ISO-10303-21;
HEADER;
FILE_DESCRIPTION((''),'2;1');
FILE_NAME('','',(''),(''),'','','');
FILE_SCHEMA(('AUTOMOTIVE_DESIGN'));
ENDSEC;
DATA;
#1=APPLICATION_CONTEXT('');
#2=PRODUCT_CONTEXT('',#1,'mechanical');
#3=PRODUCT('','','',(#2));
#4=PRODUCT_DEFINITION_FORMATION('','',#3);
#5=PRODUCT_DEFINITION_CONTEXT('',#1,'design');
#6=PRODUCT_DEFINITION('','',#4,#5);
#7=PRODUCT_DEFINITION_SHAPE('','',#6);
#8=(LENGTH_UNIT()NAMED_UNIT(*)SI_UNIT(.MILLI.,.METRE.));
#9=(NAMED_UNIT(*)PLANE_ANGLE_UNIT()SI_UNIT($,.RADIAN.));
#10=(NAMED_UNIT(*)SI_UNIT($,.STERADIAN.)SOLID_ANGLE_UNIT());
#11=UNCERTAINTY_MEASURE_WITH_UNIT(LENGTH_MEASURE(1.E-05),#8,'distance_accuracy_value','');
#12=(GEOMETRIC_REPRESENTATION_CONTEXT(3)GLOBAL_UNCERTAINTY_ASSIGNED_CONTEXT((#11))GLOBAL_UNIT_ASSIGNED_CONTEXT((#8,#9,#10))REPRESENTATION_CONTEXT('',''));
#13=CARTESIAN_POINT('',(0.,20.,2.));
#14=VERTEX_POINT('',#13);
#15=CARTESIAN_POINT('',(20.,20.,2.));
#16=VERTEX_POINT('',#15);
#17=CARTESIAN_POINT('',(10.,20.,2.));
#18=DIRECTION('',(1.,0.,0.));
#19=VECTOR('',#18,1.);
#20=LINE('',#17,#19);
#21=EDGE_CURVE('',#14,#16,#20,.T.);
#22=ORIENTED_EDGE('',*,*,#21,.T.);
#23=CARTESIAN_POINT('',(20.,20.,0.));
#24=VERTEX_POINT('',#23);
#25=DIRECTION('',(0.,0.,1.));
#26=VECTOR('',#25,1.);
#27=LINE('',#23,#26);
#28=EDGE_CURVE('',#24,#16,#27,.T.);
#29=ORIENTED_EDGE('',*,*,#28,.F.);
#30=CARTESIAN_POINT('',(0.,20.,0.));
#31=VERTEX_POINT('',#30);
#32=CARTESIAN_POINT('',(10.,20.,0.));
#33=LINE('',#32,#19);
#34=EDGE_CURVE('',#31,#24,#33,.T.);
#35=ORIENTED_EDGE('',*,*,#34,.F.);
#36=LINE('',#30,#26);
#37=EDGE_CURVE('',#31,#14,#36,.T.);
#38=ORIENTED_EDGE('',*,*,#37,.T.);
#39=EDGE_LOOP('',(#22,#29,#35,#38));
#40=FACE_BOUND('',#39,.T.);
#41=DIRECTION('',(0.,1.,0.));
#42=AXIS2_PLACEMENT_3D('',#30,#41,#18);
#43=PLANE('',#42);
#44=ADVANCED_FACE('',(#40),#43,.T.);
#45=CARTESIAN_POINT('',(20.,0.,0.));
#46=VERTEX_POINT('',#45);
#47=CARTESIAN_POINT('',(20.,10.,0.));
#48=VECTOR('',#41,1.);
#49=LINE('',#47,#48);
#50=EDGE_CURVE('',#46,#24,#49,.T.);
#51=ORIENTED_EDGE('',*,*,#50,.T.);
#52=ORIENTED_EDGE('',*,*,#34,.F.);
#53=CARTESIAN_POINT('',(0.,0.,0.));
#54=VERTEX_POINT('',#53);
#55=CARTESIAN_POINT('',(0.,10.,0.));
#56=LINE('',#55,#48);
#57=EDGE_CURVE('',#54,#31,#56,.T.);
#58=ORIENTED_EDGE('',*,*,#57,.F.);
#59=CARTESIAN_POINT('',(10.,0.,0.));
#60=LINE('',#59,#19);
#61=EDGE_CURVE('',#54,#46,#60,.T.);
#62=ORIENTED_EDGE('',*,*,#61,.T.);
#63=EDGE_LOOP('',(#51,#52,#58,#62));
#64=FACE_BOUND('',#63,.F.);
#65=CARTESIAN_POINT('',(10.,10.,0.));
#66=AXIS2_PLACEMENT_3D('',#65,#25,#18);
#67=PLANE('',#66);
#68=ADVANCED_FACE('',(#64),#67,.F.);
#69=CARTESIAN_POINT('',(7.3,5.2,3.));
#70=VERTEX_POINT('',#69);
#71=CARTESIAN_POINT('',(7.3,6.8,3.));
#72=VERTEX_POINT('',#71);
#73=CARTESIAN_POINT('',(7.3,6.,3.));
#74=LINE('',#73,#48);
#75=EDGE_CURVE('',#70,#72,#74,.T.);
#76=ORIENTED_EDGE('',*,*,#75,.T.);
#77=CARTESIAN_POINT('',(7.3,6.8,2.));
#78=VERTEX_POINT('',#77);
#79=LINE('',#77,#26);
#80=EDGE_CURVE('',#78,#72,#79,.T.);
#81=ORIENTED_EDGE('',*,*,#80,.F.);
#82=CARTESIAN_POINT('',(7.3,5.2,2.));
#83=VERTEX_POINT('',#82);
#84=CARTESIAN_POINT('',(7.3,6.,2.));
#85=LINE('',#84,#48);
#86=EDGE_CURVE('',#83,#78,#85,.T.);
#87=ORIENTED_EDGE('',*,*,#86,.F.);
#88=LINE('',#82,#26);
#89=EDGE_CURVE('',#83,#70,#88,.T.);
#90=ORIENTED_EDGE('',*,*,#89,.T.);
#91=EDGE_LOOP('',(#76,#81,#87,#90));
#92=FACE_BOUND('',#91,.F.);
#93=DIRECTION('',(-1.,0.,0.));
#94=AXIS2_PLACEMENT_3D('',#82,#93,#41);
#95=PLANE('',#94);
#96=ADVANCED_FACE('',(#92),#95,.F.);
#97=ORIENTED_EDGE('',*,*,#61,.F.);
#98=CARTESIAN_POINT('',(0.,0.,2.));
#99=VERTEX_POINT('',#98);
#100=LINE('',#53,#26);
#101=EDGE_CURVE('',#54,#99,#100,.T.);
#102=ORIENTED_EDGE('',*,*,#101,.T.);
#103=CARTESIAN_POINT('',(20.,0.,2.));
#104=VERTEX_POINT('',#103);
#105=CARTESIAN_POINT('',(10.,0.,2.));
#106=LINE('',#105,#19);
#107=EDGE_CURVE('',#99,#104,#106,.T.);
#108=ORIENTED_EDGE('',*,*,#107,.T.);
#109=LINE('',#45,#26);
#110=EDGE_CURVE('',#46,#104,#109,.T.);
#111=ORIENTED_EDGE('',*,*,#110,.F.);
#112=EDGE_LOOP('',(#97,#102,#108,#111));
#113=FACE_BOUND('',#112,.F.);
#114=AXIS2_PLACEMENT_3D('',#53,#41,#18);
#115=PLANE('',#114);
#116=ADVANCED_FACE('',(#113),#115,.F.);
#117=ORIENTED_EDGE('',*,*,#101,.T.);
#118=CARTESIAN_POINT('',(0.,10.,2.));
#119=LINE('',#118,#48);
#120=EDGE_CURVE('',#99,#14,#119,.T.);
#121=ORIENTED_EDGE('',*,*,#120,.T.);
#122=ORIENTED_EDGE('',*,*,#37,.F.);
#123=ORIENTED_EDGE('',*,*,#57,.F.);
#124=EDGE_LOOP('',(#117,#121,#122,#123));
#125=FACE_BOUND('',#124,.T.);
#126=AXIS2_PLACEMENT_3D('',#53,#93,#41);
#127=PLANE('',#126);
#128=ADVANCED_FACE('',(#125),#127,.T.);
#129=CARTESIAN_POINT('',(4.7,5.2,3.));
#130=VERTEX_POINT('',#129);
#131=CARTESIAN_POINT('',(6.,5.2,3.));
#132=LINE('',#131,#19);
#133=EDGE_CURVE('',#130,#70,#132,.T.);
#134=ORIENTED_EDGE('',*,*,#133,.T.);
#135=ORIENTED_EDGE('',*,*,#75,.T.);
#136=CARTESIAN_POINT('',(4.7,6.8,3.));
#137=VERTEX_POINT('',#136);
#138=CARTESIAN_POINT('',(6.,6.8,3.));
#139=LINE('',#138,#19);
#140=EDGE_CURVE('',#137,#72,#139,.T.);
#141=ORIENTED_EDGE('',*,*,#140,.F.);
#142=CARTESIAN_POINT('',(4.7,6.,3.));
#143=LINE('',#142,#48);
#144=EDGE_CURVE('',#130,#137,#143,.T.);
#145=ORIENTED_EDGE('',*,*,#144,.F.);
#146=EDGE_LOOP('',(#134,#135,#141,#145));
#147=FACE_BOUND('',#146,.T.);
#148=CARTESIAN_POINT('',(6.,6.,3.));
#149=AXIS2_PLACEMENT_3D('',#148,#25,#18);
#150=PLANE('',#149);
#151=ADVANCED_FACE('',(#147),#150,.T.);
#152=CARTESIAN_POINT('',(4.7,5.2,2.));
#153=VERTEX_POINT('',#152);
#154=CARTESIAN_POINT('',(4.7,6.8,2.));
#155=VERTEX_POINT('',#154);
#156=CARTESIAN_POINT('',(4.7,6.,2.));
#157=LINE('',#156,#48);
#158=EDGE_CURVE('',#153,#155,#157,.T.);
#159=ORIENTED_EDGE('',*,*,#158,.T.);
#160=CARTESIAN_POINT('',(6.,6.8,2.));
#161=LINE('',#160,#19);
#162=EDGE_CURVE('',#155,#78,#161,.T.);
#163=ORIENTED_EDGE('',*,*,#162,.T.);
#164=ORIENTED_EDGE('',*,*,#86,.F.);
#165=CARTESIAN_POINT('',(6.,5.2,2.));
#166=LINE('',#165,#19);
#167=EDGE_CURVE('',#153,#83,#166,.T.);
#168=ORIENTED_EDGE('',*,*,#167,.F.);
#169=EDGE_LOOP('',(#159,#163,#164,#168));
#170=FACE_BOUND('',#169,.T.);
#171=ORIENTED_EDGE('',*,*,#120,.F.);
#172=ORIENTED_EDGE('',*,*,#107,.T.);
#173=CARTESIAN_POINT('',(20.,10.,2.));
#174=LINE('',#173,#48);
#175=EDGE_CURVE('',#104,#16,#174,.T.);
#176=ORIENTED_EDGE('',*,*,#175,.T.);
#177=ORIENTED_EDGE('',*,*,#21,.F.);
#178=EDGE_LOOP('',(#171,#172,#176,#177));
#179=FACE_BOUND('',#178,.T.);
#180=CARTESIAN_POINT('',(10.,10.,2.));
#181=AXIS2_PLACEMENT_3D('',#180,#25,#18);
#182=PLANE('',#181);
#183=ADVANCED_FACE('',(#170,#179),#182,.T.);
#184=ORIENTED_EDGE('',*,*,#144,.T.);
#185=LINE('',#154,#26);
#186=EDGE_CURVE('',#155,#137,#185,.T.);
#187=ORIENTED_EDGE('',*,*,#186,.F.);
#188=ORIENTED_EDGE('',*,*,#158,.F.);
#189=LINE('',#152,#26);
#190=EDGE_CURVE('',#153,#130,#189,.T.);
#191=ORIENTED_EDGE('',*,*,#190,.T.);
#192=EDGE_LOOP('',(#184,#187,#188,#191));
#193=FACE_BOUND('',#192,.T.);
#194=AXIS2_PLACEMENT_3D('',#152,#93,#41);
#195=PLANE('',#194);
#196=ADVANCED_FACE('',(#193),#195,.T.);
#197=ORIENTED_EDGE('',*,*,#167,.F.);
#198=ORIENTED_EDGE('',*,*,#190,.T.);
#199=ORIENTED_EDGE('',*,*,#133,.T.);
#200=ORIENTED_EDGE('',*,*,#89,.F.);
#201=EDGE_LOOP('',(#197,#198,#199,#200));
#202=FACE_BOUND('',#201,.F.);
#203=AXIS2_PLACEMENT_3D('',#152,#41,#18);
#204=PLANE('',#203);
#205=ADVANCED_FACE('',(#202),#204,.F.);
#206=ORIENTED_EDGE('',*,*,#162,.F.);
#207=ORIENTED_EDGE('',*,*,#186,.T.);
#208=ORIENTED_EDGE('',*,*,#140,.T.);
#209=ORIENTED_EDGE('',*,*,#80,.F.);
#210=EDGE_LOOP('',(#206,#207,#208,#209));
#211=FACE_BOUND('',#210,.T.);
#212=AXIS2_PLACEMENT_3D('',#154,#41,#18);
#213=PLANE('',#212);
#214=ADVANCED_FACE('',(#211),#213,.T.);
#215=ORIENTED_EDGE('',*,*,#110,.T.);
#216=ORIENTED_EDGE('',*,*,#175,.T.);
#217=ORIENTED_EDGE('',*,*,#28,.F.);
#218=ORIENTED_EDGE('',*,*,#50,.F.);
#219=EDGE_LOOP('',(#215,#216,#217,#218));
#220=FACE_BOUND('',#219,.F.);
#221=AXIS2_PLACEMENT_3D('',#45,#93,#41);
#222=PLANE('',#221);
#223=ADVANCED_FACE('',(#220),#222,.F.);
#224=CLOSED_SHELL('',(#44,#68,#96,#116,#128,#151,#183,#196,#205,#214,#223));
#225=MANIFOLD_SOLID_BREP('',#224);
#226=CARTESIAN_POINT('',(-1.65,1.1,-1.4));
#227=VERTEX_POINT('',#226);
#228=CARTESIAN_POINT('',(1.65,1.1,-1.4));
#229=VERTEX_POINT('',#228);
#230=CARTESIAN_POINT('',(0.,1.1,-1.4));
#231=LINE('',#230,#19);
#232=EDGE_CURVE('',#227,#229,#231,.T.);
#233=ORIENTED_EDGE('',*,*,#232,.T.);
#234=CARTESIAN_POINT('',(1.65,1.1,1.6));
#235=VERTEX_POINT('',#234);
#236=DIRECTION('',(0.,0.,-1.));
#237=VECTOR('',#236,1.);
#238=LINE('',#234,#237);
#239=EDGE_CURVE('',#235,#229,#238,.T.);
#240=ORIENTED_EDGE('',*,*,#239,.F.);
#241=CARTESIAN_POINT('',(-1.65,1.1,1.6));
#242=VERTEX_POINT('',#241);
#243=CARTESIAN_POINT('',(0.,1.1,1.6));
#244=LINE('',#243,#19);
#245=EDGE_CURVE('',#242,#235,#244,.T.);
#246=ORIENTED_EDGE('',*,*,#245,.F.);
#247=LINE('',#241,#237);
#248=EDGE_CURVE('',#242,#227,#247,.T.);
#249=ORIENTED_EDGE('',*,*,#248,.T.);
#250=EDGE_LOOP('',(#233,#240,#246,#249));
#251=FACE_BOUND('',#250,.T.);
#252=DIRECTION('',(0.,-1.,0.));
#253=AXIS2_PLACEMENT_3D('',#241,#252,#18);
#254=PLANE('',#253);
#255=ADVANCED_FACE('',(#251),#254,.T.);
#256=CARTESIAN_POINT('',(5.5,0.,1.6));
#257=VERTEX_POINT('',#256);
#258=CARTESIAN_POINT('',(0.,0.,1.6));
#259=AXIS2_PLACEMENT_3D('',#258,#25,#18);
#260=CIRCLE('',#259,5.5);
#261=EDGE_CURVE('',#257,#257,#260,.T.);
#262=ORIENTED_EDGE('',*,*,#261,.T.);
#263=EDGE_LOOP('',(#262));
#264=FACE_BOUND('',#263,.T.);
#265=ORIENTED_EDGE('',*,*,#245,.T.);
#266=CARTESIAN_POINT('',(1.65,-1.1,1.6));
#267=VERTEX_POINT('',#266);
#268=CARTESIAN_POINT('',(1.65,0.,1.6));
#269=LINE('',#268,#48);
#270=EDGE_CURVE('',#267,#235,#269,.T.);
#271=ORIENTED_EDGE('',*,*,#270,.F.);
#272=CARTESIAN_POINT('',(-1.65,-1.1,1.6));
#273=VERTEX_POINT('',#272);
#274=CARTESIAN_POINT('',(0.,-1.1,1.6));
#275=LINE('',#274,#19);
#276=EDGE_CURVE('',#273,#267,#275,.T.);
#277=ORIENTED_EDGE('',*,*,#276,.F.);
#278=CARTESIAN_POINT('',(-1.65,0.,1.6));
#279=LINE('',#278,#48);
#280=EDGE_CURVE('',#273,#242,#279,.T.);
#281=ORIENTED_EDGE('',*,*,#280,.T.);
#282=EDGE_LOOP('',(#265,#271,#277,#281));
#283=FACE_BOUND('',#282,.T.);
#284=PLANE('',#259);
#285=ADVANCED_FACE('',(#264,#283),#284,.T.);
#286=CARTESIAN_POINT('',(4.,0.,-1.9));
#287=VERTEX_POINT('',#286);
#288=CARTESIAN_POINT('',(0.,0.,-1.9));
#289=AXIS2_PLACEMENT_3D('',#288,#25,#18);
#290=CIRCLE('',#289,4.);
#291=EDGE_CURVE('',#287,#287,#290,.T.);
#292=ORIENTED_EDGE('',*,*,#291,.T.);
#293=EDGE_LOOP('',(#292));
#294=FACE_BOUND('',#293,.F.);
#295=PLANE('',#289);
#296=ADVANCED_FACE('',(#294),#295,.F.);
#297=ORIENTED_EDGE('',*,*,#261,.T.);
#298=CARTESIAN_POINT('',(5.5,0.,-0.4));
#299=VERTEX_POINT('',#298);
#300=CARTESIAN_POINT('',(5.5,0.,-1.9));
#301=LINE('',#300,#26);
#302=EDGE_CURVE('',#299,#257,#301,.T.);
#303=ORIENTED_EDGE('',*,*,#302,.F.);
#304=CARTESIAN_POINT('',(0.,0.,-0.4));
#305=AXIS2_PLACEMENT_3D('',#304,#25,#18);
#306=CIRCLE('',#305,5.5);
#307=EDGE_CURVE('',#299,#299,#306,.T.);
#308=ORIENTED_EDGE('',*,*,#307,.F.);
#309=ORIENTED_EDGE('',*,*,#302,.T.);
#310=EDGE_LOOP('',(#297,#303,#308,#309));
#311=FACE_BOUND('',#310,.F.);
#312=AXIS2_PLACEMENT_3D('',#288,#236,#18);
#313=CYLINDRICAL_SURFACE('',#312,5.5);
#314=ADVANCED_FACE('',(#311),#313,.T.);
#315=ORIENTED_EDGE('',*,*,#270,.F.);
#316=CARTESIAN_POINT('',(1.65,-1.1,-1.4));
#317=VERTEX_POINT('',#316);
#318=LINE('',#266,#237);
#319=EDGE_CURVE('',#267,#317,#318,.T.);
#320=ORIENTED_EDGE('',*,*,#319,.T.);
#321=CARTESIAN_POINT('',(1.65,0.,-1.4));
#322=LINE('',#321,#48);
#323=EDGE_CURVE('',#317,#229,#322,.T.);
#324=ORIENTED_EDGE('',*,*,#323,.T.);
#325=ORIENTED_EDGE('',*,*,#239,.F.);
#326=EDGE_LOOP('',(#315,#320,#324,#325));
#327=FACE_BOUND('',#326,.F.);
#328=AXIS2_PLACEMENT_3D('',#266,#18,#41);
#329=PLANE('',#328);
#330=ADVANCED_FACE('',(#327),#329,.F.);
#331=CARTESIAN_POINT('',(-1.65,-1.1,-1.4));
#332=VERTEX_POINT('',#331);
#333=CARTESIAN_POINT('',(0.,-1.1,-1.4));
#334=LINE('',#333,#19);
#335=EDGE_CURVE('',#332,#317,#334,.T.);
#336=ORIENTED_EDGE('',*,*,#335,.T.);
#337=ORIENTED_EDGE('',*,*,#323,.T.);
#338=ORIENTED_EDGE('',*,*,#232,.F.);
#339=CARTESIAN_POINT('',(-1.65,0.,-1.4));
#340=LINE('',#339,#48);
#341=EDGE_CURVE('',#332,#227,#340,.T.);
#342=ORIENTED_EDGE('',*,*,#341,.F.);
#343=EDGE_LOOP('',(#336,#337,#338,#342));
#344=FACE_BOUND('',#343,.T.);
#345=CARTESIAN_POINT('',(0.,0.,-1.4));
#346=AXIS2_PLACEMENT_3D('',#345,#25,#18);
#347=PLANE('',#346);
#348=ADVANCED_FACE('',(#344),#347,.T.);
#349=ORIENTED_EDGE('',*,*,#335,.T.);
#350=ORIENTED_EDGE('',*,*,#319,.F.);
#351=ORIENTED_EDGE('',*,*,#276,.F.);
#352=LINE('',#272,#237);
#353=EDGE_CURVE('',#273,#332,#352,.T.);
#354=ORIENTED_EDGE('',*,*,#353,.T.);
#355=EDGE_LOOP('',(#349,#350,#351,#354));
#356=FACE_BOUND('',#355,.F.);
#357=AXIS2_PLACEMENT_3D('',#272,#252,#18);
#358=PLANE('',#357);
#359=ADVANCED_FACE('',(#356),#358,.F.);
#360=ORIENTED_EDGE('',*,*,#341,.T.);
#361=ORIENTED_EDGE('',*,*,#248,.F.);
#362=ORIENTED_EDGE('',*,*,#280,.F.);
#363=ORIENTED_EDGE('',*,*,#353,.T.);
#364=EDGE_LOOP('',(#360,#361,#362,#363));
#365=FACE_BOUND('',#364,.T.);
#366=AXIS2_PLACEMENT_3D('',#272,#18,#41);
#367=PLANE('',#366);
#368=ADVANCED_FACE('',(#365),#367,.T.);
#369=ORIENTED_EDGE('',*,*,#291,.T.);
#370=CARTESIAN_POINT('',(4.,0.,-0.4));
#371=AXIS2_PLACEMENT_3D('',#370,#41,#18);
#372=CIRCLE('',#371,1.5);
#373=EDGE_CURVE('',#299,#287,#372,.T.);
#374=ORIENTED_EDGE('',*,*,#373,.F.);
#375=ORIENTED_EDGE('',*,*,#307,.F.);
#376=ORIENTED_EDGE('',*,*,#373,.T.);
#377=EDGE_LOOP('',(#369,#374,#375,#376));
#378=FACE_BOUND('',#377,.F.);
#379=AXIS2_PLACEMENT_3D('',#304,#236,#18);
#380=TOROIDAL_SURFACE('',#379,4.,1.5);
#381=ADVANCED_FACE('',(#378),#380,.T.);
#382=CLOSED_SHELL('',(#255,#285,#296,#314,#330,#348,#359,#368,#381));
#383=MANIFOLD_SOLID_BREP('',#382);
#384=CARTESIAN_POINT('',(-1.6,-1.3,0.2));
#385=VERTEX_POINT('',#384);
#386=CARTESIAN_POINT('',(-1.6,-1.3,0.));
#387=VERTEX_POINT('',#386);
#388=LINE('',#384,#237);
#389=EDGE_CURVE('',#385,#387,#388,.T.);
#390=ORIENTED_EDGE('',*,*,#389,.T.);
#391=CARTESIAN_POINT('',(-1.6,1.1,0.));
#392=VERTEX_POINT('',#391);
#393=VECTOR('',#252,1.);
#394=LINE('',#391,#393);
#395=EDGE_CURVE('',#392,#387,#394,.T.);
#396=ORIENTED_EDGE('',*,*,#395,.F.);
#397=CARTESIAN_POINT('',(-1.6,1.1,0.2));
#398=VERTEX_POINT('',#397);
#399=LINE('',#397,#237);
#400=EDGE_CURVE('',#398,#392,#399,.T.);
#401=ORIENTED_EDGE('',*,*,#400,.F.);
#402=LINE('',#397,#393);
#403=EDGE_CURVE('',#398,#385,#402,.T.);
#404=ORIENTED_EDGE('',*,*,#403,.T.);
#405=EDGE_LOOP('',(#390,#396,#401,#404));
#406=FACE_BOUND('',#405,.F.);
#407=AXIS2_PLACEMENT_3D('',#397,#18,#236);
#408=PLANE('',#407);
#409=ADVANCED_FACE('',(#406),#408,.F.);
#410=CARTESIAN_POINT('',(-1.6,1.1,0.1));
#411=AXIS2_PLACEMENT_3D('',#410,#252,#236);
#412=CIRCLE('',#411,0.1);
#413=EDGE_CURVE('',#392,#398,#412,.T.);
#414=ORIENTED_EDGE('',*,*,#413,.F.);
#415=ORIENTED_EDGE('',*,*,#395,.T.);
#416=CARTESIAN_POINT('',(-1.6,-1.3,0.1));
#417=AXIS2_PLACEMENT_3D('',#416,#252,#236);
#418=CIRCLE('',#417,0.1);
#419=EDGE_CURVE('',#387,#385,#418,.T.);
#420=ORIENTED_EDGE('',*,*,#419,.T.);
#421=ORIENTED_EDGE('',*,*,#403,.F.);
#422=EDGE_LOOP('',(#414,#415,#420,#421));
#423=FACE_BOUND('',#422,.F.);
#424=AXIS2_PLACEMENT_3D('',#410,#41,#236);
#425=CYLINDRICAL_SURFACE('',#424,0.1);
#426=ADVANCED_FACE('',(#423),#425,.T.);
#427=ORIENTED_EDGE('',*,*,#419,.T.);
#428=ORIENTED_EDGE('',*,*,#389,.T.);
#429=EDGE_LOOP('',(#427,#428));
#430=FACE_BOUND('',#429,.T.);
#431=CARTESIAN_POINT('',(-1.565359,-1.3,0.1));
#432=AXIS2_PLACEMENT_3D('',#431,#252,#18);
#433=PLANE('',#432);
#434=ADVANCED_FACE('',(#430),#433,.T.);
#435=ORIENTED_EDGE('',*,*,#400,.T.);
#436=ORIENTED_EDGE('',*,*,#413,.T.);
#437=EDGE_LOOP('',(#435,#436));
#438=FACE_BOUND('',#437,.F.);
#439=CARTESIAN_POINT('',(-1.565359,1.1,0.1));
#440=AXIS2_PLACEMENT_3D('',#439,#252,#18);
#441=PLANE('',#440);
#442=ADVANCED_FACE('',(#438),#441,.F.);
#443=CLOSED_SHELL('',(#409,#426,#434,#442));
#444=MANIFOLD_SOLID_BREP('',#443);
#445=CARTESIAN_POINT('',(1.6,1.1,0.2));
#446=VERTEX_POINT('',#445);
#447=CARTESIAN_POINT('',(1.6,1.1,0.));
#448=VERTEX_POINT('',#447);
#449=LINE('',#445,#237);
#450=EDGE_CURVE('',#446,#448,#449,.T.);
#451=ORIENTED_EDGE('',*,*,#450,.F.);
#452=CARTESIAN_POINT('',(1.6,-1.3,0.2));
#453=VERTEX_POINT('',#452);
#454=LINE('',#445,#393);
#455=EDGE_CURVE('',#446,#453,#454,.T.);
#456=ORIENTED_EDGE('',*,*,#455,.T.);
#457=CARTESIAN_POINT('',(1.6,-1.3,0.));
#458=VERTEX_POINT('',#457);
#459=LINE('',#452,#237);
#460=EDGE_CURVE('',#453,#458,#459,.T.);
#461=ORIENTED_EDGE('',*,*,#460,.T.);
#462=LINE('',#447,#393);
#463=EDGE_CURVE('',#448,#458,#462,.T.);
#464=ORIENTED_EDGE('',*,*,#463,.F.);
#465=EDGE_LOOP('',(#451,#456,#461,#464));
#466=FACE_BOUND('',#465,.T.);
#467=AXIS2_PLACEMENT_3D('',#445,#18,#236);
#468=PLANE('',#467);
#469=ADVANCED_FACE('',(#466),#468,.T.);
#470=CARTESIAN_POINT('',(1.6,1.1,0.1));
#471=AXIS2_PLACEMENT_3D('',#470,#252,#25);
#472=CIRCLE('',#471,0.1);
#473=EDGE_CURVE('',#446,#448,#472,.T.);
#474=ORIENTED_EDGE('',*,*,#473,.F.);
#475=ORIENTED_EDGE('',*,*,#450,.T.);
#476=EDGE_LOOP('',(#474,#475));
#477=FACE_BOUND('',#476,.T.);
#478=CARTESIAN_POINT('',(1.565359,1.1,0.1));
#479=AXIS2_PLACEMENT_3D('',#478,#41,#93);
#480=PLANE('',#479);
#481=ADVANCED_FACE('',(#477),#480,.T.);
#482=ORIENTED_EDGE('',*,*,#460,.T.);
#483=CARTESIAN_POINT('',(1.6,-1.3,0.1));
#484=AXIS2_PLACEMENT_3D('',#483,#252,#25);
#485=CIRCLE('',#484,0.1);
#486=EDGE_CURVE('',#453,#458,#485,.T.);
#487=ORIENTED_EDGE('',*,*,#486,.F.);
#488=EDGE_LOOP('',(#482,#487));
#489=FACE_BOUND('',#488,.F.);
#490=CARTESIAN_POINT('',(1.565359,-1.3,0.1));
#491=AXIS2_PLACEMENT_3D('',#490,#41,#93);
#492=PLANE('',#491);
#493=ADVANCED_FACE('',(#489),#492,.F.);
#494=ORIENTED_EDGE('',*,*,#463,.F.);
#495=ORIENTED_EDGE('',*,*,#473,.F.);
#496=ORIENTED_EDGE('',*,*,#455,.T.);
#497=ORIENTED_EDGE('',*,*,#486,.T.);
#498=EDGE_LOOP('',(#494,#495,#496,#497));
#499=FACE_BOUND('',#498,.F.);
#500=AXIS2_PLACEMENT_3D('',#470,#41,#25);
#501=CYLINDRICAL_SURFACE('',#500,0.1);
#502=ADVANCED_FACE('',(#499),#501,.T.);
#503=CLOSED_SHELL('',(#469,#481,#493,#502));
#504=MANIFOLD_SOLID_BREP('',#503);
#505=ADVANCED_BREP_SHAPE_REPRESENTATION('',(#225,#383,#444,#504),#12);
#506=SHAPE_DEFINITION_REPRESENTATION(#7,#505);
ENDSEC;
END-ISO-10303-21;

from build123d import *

# Parameters (mm, degrees)
PAD_DEPTH      = 2.4
CYLINDER_R     = 5.5
CYLINDER_DEPTH = 3.5
SKETCH_W       = 3.3
SKETCH_H       = 2.2
POCKET_DEPTH   = 3
FILLET_R       = 1.5
BOX_W          = 20
BOX_H          = 20
BOX_DEPTH      = 2
SKETCH002_W    = 2.6
SKETCH002_H    = 1.6
PAD001_DEPTH   = 1


with BuildPart() as pad:
    # Sketch001 → Pad (new body)
    with BuildSketch(Plane(origin=(0, 1.1, 0.1), x_dir=(1, 0, 0), z_dir=(0, -1, 0))):
        with BuildLine():
            Line((-1.6, 0.1), (-1.6, -0.1))
            ThreePointArc((-1.6, -0.1), (-1.5, 0), (-1.6, 0.1))
        make_face()
        with BuildLine():
            Line((1.6, 0.1), (1.6, -0.1))
            ThreePointArc((1.6, 0.1), (1.5, 0), (1.6, -0.1))
        make_face()
    extrude(amount=PAD_DEPTH)


with BuildPart() as fillet_body:
    # Cylinder → Cylinder (new body)
    with BuildSketch(Plane.XY.offset(-1.9)):
        Circle(CYLINDER_R)
    extrude(amount=CYLINDER_DEPTH)

    # Sketch → Pocket (cut)
    with BuildSketch(Plane.XY.offset(1.6)):
        Rectangle(SKETCH_W, SKETCH_H)
    extrude(amount=-POCKET_DEPTH, mode=Mode.SUBTRACT)

    # Fillet
    fillet_edges = [fillet_body.edges().sort_by_distance(p)[0] for p in [
        (-5.5, 0, -1.9),
    ]]
    fillet(fillet_edges, radius=FILLET_R)


with BuildPart() as pad001:
    # Box → Box (new body)
    with BuildSketch(Plane.XY):
        with Locations((10, 10)):
            Rectangle(BOX_W, BOX_H)
    extrude(amount=BOX_DEPTH)

    # Sketch002 → Pad001 (new body)
    with BuildSketch(Plane.XY.offset(2)):
        with Locations((6, 6)):
            Rectangle(SKETCH002_W, SKETCH002_H)
    extrude(amount=PAD001_DEPTH)


solid = Compound([pad.part, fillet_body.part, pad001.part])
